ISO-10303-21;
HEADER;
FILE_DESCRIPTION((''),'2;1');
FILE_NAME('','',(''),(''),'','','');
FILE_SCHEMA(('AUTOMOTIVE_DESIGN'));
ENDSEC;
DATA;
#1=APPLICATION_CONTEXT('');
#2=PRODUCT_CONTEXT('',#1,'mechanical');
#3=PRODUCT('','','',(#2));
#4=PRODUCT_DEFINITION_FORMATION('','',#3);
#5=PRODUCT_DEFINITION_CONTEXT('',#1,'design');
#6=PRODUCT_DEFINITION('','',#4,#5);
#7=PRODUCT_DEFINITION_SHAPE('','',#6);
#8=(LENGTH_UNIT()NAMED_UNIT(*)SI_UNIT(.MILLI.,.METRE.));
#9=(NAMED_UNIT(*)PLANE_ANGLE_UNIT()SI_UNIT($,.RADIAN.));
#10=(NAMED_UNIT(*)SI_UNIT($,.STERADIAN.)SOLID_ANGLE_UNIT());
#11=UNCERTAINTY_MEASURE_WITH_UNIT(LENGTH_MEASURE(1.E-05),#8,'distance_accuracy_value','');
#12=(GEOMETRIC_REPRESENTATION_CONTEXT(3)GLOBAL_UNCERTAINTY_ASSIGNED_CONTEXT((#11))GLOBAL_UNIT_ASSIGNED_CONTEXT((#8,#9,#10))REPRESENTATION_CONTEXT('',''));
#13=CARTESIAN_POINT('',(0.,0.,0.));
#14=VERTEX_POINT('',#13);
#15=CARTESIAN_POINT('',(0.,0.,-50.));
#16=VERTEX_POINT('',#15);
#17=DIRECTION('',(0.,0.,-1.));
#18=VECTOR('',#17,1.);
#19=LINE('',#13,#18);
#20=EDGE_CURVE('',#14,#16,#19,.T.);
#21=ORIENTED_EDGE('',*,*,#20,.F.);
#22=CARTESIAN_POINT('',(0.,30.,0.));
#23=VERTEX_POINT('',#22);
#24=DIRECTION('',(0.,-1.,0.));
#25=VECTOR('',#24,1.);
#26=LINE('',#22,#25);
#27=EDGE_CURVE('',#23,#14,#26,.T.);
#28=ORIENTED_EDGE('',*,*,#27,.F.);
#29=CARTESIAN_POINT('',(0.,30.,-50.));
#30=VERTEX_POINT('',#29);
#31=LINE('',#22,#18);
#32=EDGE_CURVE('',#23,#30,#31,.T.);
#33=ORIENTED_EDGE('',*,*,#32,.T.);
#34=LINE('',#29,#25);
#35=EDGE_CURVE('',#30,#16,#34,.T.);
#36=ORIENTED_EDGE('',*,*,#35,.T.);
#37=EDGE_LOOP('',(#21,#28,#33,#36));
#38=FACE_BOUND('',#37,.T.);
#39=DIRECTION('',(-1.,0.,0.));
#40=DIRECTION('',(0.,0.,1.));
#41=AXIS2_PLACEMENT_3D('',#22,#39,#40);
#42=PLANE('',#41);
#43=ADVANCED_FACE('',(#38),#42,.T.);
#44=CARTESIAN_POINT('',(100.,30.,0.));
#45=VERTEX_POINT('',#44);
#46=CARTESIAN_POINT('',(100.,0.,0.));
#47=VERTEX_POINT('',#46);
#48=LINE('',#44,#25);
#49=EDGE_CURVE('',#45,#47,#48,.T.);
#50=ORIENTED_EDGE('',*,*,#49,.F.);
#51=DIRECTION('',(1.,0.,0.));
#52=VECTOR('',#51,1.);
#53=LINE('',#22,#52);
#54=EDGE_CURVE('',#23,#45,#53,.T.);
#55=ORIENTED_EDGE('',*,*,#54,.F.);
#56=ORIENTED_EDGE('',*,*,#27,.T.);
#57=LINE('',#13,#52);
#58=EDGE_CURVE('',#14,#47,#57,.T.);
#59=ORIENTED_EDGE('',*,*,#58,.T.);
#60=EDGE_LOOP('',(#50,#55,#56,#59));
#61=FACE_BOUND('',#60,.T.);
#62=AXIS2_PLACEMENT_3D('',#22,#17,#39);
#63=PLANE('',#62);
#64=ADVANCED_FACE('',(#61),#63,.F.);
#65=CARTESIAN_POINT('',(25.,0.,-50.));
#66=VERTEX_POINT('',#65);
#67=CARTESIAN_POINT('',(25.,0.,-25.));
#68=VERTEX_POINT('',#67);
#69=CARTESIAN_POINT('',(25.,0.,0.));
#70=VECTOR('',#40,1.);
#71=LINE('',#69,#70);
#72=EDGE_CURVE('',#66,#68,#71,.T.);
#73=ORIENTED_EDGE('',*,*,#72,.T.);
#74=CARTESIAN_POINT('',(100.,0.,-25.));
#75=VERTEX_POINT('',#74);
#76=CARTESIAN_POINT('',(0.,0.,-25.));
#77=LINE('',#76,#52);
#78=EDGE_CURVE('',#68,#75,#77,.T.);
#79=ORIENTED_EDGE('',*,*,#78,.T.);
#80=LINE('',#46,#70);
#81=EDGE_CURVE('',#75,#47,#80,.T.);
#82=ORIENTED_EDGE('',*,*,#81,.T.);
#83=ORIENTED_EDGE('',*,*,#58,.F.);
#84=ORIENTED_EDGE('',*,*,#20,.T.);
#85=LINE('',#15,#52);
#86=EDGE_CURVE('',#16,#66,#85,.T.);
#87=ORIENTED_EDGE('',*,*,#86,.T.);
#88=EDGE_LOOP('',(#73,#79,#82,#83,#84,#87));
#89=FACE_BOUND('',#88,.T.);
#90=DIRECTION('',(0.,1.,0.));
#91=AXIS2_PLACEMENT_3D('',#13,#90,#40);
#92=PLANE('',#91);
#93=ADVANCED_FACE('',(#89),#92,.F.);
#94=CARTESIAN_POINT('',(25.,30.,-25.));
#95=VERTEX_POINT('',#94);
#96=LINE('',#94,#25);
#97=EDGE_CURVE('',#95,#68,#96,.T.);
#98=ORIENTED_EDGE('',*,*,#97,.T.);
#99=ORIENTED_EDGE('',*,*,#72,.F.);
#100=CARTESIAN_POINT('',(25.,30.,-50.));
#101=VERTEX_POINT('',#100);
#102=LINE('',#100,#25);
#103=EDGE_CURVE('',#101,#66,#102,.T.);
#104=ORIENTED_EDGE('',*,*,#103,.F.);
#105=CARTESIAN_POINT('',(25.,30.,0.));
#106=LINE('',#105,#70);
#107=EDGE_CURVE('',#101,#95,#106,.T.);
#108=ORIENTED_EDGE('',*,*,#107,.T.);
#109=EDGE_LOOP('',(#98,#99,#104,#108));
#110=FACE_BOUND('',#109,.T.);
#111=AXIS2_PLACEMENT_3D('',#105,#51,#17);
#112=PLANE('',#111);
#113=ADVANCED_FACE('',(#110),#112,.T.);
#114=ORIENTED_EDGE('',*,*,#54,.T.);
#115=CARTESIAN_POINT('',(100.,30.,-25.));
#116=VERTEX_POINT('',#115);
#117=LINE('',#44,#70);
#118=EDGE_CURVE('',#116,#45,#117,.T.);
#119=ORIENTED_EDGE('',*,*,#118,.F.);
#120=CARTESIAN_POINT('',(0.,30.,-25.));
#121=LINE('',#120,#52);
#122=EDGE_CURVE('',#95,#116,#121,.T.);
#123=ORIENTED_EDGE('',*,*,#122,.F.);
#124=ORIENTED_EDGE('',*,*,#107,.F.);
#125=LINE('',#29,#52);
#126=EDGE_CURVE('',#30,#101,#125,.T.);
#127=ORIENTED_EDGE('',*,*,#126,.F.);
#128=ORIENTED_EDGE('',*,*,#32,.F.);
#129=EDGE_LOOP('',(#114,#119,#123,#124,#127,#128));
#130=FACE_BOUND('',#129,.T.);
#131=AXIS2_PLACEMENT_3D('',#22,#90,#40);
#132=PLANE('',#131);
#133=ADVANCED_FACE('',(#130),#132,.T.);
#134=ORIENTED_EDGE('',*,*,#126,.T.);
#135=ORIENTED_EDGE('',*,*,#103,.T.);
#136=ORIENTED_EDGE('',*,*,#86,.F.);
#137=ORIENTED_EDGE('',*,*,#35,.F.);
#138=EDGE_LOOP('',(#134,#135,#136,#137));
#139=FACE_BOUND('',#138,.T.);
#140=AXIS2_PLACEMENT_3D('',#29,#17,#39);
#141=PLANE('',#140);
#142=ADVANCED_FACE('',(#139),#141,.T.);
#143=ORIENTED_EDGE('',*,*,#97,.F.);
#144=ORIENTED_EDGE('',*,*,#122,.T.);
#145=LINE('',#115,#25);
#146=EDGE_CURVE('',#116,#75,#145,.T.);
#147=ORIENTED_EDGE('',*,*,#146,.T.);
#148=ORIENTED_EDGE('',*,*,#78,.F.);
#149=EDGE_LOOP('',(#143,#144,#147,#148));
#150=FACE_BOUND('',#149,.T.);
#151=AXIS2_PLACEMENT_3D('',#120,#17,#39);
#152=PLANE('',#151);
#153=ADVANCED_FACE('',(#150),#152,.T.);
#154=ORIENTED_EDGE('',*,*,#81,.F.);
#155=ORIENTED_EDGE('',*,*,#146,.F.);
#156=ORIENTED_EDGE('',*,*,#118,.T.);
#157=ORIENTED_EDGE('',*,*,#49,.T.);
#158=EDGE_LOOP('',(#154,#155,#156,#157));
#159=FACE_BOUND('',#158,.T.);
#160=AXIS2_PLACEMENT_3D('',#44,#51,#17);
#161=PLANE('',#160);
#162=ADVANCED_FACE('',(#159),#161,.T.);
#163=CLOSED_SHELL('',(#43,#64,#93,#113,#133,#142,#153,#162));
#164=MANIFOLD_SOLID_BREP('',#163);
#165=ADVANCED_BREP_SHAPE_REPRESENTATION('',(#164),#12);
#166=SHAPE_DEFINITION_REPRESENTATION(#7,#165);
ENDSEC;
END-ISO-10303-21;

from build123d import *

# Parameters (mm, degrees)
P_IDAT_VYSUNUT_M1_DEPTH = 30


with BuildPart() as part:
    # Skica1 → Přidat vysunutím1 (new body)
    with BuildSketch(Plane(origin=(0, 0, 0), x_dir=(1, 0, 0), z_dir=(0, 1, 0))):
        Polygon((100, 25), (100, 0), (0, 0), (0, 50), (25, 50), (25, 25), align=None)
    extrude(amount=P_IDAT_VYSUNUT_M1_DEPTH)


solid = part.part
